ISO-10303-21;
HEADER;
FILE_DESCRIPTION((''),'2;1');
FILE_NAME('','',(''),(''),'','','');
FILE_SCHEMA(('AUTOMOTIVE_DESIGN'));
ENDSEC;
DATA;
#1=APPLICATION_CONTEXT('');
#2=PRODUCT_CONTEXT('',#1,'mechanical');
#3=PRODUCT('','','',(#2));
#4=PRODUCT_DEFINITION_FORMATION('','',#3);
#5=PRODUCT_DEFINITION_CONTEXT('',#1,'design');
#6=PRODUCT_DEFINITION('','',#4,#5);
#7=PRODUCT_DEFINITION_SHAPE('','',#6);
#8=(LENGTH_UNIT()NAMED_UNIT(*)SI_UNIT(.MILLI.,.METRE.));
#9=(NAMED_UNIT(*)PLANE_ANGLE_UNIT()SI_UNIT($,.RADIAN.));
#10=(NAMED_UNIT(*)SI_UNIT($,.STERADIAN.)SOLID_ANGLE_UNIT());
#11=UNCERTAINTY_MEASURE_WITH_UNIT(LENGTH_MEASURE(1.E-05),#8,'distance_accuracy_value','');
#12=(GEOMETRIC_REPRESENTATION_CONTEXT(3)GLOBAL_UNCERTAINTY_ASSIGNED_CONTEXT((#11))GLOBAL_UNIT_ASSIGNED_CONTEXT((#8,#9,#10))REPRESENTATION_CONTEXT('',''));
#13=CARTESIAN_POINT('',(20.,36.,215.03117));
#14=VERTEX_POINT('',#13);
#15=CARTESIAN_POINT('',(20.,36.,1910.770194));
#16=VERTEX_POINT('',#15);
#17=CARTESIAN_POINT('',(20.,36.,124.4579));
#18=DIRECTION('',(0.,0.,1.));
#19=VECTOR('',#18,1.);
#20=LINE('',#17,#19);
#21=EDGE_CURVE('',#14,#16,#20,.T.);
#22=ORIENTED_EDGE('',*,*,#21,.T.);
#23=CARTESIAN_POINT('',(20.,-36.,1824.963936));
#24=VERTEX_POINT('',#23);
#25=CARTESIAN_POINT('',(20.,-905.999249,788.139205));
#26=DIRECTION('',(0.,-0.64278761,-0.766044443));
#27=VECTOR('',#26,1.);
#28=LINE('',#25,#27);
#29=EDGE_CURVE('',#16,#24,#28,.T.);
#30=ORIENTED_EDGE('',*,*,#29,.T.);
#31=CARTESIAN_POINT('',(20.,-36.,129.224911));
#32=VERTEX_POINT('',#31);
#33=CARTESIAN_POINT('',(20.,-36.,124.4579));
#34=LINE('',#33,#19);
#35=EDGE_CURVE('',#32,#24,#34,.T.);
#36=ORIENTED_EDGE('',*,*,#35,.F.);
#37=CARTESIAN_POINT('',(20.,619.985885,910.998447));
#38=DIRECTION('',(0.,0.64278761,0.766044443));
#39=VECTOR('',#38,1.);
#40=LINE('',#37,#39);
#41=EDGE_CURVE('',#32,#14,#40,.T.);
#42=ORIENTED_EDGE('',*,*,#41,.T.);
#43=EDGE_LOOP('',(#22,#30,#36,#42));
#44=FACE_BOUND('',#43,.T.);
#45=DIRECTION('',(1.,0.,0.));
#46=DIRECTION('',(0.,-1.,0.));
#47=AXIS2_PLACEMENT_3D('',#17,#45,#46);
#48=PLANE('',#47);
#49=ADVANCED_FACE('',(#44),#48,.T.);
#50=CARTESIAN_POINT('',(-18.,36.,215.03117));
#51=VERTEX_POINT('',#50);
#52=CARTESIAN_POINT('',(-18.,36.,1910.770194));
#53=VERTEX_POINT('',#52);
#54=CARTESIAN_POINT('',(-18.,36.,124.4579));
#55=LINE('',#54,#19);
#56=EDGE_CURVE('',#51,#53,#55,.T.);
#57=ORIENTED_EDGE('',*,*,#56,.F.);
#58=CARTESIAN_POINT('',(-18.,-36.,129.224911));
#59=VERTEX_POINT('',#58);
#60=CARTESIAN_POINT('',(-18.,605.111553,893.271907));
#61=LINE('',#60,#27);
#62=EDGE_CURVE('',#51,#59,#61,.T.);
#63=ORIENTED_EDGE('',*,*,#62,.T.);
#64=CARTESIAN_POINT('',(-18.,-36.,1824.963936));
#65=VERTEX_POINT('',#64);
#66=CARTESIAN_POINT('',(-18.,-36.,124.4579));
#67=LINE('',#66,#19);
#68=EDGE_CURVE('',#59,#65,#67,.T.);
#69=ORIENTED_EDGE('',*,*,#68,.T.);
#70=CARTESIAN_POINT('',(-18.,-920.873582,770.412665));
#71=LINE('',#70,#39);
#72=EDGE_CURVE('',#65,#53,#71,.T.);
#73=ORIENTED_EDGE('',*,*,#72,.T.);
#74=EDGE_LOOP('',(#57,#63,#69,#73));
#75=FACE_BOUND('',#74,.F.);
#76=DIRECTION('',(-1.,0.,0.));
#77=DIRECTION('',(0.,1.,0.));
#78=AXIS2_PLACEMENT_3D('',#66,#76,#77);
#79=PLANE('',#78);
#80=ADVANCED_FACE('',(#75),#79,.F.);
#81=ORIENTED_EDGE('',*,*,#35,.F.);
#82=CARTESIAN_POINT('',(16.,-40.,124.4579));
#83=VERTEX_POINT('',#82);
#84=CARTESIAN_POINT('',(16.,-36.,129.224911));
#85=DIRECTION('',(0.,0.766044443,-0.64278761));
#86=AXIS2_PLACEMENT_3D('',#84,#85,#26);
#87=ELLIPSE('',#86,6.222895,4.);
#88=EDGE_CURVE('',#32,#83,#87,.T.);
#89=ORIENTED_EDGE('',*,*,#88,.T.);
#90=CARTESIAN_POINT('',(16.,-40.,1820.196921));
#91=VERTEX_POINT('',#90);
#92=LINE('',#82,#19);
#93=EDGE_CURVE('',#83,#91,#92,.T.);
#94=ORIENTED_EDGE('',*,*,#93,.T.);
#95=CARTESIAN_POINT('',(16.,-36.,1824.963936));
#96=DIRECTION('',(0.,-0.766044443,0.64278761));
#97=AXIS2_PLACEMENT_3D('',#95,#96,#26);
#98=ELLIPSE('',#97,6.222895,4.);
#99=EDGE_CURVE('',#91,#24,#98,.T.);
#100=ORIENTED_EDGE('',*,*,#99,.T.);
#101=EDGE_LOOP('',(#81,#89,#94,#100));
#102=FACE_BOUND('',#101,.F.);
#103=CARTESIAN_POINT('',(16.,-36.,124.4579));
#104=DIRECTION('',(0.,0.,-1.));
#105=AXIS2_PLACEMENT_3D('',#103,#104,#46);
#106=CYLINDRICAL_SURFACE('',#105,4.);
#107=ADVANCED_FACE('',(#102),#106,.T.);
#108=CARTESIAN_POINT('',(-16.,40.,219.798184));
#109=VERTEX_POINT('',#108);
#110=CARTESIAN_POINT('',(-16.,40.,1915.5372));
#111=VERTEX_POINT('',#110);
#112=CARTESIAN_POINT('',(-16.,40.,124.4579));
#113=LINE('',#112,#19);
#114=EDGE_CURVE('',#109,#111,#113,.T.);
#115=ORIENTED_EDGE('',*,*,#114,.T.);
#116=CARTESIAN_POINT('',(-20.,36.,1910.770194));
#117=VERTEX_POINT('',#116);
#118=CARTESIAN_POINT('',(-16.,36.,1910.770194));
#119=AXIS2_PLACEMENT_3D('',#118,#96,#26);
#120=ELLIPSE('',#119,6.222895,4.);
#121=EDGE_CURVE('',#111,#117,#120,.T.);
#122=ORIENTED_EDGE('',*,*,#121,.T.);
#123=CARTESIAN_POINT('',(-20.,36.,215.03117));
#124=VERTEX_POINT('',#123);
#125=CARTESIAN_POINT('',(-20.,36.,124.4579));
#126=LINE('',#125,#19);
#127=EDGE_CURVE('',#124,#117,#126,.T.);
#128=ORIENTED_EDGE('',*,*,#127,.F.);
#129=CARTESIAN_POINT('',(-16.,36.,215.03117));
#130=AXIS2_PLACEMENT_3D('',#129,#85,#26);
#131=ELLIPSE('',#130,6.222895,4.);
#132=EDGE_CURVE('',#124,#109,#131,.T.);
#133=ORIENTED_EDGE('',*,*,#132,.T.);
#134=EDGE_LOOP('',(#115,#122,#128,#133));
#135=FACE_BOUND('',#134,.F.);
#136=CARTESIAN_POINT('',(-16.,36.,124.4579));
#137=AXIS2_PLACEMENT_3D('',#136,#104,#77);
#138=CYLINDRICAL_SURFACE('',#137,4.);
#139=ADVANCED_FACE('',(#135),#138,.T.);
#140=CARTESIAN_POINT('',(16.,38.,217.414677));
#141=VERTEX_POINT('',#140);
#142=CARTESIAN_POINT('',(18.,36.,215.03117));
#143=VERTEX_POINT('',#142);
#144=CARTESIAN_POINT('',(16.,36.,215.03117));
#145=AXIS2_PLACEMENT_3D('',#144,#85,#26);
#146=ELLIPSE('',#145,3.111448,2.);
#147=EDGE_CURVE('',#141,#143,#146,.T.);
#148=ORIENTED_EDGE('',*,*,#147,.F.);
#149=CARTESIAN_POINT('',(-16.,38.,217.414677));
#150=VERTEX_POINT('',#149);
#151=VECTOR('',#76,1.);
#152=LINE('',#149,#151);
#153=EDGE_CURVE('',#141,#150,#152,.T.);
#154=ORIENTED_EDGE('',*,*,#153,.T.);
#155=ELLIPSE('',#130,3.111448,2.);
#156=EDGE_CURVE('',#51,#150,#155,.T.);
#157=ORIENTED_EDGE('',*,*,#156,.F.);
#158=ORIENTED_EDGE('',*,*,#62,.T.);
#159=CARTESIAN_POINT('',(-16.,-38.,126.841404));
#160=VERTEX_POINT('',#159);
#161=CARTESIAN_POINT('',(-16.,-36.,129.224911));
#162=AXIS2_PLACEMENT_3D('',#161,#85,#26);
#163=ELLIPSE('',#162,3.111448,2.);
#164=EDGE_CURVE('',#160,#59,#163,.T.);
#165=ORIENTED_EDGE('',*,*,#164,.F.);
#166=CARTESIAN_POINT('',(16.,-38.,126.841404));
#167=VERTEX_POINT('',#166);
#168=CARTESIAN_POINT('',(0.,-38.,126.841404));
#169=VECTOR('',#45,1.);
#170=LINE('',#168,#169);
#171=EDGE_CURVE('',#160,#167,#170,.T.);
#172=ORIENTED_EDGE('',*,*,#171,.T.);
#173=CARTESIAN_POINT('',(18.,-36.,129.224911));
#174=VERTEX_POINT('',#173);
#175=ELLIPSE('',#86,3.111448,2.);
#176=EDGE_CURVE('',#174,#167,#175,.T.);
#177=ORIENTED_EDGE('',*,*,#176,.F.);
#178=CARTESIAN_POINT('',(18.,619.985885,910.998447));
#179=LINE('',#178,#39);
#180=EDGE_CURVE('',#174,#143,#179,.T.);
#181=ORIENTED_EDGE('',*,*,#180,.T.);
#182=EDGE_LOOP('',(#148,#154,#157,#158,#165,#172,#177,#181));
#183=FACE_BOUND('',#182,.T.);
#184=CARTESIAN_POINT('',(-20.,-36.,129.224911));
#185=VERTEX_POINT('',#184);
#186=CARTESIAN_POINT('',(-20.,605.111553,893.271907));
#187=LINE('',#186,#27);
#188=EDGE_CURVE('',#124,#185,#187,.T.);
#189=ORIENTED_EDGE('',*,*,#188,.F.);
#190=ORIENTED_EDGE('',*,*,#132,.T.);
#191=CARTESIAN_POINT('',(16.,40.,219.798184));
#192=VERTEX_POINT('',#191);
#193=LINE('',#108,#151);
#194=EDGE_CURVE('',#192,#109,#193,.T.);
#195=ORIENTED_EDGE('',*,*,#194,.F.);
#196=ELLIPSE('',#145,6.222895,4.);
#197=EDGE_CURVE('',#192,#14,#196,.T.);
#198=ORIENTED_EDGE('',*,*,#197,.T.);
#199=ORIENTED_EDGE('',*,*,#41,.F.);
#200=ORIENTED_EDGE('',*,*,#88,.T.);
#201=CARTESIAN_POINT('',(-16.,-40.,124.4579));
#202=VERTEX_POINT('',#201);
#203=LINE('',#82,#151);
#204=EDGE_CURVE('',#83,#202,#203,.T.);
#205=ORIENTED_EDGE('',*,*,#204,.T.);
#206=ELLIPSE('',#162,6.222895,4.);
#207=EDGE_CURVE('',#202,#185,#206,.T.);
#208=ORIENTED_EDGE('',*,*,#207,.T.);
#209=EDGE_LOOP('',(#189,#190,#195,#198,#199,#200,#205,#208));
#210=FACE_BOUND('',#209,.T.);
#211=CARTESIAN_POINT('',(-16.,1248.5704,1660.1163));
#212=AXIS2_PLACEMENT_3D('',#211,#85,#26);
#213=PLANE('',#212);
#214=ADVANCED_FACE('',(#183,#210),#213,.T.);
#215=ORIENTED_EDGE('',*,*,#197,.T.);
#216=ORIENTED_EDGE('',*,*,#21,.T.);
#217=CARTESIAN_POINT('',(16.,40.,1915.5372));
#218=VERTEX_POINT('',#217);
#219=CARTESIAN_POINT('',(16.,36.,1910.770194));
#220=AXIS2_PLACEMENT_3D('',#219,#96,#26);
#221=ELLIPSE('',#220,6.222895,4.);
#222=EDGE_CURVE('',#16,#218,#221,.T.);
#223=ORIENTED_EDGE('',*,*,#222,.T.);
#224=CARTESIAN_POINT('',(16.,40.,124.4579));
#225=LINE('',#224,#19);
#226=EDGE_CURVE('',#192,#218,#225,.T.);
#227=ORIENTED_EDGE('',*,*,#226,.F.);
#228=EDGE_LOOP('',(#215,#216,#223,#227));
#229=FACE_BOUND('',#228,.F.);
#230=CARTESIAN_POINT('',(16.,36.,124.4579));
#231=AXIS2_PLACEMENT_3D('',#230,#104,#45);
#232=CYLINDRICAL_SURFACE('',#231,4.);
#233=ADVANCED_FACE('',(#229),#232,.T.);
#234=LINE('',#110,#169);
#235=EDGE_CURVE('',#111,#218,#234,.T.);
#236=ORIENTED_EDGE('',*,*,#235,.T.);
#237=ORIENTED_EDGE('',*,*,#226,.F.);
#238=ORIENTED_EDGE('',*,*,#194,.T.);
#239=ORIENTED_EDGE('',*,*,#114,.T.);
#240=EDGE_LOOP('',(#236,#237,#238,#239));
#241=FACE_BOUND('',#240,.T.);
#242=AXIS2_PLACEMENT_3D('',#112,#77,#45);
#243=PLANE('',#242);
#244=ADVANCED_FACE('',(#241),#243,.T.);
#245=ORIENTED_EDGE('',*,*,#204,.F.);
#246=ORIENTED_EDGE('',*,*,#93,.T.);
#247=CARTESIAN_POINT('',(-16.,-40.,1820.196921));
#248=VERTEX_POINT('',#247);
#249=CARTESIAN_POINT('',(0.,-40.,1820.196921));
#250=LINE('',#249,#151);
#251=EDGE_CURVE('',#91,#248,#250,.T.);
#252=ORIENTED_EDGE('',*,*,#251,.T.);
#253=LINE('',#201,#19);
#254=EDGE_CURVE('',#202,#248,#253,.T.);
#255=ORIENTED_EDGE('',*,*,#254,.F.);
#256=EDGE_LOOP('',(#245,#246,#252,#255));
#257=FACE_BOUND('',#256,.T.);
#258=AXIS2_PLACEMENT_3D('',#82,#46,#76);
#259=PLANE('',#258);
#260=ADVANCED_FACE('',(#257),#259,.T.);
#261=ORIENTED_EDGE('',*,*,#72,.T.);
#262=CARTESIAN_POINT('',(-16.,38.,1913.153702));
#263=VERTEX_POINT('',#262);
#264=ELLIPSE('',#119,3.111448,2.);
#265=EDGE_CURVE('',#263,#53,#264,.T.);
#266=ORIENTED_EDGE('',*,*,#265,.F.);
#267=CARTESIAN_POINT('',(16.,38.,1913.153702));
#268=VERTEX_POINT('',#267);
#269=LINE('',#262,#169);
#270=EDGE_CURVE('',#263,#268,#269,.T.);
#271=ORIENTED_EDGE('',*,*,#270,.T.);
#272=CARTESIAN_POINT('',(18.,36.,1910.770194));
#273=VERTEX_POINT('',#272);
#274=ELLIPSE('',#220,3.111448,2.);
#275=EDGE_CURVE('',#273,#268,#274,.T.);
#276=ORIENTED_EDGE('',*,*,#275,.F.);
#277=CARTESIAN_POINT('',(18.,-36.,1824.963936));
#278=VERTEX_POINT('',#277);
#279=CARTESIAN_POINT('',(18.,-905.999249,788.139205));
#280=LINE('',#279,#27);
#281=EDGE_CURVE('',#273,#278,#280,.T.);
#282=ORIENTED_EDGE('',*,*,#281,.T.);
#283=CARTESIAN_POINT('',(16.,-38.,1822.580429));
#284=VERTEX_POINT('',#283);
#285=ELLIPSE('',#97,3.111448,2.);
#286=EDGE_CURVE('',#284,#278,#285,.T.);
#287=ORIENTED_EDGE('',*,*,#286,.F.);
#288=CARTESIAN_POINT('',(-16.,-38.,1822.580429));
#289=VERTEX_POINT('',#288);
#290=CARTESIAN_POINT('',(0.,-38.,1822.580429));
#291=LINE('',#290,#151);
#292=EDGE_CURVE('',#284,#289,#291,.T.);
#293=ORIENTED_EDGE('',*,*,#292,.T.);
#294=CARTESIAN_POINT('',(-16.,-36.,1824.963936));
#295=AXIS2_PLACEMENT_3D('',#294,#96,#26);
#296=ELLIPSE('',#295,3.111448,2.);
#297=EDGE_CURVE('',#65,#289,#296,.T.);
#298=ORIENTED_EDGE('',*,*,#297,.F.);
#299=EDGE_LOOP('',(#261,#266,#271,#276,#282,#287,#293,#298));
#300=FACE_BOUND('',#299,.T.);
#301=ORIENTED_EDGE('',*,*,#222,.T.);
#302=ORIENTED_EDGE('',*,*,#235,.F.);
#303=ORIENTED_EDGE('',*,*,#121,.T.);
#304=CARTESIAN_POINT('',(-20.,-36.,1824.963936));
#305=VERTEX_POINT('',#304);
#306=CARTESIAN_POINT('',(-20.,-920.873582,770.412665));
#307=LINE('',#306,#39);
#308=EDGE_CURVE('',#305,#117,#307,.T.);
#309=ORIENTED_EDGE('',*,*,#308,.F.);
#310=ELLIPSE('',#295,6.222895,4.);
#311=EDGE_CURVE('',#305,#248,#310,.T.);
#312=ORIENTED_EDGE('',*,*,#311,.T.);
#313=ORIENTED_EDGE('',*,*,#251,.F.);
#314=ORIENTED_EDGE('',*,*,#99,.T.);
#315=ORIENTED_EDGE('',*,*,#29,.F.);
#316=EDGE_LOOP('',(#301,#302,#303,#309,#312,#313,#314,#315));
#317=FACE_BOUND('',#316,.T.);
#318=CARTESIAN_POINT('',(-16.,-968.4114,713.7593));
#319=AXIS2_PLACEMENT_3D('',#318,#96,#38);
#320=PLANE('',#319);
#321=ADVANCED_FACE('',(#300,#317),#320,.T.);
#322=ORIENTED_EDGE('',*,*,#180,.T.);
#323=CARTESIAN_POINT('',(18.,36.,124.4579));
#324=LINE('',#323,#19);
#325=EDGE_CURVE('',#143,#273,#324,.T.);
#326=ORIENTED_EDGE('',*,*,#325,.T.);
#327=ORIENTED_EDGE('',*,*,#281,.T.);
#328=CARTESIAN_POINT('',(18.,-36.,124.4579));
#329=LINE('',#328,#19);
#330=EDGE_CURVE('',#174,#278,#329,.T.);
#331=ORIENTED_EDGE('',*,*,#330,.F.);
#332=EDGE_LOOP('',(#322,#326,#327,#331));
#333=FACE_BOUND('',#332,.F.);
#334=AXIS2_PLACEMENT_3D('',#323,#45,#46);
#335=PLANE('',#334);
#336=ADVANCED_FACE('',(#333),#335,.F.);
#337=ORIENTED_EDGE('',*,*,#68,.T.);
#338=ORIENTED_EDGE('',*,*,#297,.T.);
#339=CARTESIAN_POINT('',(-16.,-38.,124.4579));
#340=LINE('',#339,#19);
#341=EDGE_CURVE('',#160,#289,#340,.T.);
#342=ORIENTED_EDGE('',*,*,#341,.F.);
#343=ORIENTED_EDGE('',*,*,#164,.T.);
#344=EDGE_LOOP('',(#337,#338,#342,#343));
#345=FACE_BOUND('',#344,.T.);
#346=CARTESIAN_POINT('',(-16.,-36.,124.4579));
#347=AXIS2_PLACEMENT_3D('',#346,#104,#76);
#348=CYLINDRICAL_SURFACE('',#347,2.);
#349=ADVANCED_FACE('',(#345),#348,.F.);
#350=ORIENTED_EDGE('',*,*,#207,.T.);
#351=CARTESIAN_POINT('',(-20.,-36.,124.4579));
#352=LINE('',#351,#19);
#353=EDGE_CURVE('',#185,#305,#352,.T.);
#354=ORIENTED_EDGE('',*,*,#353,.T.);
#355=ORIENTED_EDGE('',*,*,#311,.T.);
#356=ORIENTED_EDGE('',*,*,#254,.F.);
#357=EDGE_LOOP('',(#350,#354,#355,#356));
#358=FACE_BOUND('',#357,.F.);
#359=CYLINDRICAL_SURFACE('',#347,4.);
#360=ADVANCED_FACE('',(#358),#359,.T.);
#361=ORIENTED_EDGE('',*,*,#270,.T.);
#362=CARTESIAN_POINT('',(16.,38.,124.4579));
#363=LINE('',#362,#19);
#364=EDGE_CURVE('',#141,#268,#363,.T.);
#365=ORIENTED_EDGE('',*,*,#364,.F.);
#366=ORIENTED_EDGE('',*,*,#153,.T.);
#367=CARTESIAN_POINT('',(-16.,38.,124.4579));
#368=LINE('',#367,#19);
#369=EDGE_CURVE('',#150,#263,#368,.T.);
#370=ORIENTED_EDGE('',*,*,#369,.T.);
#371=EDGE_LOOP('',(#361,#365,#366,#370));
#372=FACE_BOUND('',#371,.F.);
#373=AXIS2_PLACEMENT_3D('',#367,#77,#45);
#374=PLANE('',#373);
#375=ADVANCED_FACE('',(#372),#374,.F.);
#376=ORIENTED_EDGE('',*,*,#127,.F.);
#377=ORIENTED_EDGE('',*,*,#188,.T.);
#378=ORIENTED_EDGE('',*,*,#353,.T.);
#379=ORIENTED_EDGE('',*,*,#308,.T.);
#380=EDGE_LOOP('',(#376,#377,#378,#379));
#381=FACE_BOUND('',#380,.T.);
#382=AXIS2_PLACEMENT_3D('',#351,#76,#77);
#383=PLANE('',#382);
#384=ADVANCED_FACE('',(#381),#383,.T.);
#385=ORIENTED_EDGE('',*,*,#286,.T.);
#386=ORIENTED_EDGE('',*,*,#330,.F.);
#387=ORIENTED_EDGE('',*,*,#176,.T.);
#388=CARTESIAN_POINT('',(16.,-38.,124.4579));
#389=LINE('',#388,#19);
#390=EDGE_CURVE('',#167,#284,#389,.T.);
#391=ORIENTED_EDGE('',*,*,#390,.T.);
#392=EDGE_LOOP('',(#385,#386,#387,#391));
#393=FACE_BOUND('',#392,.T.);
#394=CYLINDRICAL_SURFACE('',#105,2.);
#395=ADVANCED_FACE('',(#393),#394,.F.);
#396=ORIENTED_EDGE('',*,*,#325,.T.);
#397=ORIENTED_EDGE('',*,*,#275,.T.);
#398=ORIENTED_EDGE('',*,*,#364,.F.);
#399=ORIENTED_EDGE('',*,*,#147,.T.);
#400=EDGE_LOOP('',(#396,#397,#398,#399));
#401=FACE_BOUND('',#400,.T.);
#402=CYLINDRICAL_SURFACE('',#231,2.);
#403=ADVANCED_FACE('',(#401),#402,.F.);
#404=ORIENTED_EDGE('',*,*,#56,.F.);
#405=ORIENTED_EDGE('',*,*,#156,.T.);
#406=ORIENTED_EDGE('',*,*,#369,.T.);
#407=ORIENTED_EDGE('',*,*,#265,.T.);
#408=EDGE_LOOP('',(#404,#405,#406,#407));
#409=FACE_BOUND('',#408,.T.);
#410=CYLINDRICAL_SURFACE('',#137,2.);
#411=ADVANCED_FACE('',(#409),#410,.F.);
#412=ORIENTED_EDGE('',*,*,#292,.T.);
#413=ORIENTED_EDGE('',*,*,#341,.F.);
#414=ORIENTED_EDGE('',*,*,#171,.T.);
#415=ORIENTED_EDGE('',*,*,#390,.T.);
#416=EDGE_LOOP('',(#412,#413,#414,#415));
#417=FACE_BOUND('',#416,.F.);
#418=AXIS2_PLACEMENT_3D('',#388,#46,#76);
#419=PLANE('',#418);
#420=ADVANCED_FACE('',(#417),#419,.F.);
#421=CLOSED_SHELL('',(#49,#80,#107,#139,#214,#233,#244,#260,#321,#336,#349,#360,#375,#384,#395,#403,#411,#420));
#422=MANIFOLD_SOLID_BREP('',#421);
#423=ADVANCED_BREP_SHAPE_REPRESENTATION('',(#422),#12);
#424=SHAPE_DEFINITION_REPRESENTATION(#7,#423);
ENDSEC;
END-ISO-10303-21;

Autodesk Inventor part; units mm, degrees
ref_plane "Start Plane" through (0, 0, 124.4579) normal (0, 0, 1) x (1, 0, 0)
ref_plane "End Plane" through (0, 0, 1915.5372) normal (0, 0, 1) x (1, 0, 0)
sketch "Sketch" plane through (0, 0, 0) normal (0, 0, 1) x (1, 0, 0)
  line L0 (-20, -36) -> (-20, 36)
  line L1 (-16, 40) -> (16, 40)
  line L2 (20, 36) -> (20, -36)
  line L3 (16, -40) -> (-16, -40)
  arc A0 (-20, -36) -> (-16, -40) centre (-16, -36) ccw
  arc A1 (20, 36) -> (16, 40) centre (16, 36) ccw
  arc A2 (-16, 40) -> (-20, 36) centre (-16, 36) ccw
  arc A3 (16, -40) -> (20, -36) centre (16, -36) ccw
  arc A4 (-16, 38) -> (-18, 36) centre (-16, 36) ccw
  line L4 (-16, 38) -> (16, 38)
  arc A5 (18, 36) -> (16, 38) centre (16, 36) ccw
  line L5 (18, 36) -> (18, -36)
  arc A6 (16, -38) -> (18, -36) centre (16, -36) ccw
  line L6 (16, -38) -> (-16, -38)
  arc A7 (-18, -36) -> (-16, -38) centre (-16, -36) ccw
  line L7 (-18, -36) -> (-18, 36)
  line L8 (0, 57.1598) -> (0, -57.1598) construction
  line L9 (-29.1598, 0) -> (29.1598, 0) construction
  dimension "d7" = 4
  dimension "d9" = 40
  dimension "d11" = 80
  dimension "d12" = 2
  dimension "d15" = 20
  dimension "d16" = 40
extrude "Body" add sketch "Sketch" along normal up to surface (1791.0793 mm away) from surface at 124.4579
sketch "Sketch3" plane through (0, 0, 0) normal (0, 0, 1) x (1, 0, 0)
  line L0 (0, 0) -> (10, 0)
ref_plane "Work Plane3" through (0, 0, 0) normal (0, -1, 0) x (1, 0, 0)
ref_plane "Work Plane4" through (-16, 1248.5704, 1660.1163) normal (0, 0.766, -0.6428) x (1, 0, 0)
split "Split1" plane through (-16, 1248.5704, 1660.1163) removes the side toward (0, 0.766, -0.6428)
ref_plane "Work Plane5" through (-16, -968.4114, 713.7593) normal (0, -0.766, 0.6428) x (1, 0, 0)
split "Split2" plane through (-16, -968.4114, 713.7593) removes the side toward (0, -0.766, 0.6428)
sketch "Sketch4" plane through (0, 0, 0) normal (0, -1, 0) x (1, 0, 0)
  line L0 (-2, 124.4579) -> (12, 124.4579) projected
  line L1 (-2, 1915.5372) -> (12, 1915.5372) projected
  dimension "d18" = 1791.0793
equation "\"d7\" = G_IR"
equation "\"d9\" = G_W"
equation "\"d11\" = G_H"
equation "\"d12\" = G_T"
equation "\"d15\" = 0.5 * d9"
equation "\"d16\" = 0.5 * d11"
equation "\"d3\" = G_L"
equation "\"G_W\" = 40"
equation "\"G_H\" = 80"
equation "\"G_T\" = 2"
equation "\"G_IR\" = 4"
equation "\"G_L\" = d18"
equation "\"G_OFFSET_START\" = -124.45791"
equation "\"G_OFFSET_END\" = -29.11762"
equation "\"d13\" = -G_OFFSET_START"
equation "\"d14\" = G_OFFSET_END + B_L"
equation "\"B_L\" = 1944.65478"
properties part number "ISO 4019 - 80x40x2 - 1791,08" material "Steel, Mild"
